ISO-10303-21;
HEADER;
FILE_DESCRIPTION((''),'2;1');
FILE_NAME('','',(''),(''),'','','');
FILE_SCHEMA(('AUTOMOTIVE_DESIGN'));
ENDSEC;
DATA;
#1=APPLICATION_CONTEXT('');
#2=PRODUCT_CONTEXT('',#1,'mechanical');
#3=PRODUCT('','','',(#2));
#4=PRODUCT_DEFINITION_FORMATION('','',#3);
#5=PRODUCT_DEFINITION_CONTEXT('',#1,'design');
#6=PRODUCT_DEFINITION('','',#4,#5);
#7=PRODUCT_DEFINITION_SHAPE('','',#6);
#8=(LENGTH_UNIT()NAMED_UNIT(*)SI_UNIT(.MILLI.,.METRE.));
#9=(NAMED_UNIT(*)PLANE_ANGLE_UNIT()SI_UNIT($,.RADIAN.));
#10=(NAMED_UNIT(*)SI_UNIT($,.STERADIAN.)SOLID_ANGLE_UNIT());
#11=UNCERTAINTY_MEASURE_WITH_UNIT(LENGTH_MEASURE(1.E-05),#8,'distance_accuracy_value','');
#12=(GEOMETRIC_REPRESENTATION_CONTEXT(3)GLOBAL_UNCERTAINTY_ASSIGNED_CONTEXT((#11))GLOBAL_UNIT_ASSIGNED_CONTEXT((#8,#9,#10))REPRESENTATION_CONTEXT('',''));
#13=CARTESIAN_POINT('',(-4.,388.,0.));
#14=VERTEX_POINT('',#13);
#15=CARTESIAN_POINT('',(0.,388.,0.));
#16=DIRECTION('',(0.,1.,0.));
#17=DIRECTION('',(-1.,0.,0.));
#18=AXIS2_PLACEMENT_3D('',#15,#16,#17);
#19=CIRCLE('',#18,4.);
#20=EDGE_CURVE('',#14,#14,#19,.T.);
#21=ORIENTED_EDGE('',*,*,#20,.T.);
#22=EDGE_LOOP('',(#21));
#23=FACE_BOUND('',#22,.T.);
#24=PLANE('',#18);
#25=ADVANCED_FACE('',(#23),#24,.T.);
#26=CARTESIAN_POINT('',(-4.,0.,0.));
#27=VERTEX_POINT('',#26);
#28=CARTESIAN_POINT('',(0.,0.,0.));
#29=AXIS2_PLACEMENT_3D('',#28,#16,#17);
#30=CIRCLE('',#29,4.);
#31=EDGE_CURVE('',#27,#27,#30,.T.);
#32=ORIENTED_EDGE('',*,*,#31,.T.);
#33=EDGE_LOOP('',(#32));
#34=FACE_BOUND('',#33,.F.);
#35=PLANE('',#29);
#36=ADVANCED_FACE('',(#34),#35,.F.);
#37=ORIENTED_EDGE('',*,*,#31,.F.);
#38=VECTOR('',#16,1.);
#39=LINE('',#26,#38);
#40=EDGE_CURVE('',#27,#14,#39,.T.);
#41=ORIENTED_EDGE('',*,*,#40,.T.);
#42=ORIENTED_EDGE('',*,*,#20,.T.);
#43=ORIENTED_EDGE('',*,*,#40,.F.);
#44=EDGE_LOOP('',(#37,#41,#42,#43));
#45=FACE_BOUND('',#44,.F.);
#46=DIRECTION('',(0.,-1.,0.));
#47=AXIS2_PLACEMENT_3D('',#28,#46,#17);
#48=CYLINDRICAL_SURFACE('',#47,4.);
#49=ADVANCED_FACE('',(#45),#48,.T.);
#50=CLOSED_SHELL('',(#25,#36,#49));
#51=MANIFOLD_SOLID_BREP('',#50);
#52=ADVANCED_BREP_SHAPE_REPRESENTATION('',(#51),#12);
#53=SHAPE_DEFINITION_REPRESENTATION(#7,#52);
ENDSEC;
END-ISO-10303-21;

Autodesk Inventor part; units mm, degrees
ref_plane "YZ Plane" through (0, 0, 0) normal (1, 0, 0) x (0, 1, 0)
ref_plane "XZ Plane" through (0, 0, 0) normal (0, 1, 0) x (-1, 0, 0)
ref_plane "XY Plane" through (0, 0, 0) normal (0, 0, 1) x (1, 0, 0)
sketch "Sketch1" plane through (0, 0, 0) normal (0, 1, 0) x (-1, 0, 0)
  circle A0 centre (0, 0) radius 4
  dimension "d0" = 8
extrude "Extrusion1" add sketch "Sketch1" along normal blind 388
properties part number "Shaft8x396" material "Steel, Alloy"
